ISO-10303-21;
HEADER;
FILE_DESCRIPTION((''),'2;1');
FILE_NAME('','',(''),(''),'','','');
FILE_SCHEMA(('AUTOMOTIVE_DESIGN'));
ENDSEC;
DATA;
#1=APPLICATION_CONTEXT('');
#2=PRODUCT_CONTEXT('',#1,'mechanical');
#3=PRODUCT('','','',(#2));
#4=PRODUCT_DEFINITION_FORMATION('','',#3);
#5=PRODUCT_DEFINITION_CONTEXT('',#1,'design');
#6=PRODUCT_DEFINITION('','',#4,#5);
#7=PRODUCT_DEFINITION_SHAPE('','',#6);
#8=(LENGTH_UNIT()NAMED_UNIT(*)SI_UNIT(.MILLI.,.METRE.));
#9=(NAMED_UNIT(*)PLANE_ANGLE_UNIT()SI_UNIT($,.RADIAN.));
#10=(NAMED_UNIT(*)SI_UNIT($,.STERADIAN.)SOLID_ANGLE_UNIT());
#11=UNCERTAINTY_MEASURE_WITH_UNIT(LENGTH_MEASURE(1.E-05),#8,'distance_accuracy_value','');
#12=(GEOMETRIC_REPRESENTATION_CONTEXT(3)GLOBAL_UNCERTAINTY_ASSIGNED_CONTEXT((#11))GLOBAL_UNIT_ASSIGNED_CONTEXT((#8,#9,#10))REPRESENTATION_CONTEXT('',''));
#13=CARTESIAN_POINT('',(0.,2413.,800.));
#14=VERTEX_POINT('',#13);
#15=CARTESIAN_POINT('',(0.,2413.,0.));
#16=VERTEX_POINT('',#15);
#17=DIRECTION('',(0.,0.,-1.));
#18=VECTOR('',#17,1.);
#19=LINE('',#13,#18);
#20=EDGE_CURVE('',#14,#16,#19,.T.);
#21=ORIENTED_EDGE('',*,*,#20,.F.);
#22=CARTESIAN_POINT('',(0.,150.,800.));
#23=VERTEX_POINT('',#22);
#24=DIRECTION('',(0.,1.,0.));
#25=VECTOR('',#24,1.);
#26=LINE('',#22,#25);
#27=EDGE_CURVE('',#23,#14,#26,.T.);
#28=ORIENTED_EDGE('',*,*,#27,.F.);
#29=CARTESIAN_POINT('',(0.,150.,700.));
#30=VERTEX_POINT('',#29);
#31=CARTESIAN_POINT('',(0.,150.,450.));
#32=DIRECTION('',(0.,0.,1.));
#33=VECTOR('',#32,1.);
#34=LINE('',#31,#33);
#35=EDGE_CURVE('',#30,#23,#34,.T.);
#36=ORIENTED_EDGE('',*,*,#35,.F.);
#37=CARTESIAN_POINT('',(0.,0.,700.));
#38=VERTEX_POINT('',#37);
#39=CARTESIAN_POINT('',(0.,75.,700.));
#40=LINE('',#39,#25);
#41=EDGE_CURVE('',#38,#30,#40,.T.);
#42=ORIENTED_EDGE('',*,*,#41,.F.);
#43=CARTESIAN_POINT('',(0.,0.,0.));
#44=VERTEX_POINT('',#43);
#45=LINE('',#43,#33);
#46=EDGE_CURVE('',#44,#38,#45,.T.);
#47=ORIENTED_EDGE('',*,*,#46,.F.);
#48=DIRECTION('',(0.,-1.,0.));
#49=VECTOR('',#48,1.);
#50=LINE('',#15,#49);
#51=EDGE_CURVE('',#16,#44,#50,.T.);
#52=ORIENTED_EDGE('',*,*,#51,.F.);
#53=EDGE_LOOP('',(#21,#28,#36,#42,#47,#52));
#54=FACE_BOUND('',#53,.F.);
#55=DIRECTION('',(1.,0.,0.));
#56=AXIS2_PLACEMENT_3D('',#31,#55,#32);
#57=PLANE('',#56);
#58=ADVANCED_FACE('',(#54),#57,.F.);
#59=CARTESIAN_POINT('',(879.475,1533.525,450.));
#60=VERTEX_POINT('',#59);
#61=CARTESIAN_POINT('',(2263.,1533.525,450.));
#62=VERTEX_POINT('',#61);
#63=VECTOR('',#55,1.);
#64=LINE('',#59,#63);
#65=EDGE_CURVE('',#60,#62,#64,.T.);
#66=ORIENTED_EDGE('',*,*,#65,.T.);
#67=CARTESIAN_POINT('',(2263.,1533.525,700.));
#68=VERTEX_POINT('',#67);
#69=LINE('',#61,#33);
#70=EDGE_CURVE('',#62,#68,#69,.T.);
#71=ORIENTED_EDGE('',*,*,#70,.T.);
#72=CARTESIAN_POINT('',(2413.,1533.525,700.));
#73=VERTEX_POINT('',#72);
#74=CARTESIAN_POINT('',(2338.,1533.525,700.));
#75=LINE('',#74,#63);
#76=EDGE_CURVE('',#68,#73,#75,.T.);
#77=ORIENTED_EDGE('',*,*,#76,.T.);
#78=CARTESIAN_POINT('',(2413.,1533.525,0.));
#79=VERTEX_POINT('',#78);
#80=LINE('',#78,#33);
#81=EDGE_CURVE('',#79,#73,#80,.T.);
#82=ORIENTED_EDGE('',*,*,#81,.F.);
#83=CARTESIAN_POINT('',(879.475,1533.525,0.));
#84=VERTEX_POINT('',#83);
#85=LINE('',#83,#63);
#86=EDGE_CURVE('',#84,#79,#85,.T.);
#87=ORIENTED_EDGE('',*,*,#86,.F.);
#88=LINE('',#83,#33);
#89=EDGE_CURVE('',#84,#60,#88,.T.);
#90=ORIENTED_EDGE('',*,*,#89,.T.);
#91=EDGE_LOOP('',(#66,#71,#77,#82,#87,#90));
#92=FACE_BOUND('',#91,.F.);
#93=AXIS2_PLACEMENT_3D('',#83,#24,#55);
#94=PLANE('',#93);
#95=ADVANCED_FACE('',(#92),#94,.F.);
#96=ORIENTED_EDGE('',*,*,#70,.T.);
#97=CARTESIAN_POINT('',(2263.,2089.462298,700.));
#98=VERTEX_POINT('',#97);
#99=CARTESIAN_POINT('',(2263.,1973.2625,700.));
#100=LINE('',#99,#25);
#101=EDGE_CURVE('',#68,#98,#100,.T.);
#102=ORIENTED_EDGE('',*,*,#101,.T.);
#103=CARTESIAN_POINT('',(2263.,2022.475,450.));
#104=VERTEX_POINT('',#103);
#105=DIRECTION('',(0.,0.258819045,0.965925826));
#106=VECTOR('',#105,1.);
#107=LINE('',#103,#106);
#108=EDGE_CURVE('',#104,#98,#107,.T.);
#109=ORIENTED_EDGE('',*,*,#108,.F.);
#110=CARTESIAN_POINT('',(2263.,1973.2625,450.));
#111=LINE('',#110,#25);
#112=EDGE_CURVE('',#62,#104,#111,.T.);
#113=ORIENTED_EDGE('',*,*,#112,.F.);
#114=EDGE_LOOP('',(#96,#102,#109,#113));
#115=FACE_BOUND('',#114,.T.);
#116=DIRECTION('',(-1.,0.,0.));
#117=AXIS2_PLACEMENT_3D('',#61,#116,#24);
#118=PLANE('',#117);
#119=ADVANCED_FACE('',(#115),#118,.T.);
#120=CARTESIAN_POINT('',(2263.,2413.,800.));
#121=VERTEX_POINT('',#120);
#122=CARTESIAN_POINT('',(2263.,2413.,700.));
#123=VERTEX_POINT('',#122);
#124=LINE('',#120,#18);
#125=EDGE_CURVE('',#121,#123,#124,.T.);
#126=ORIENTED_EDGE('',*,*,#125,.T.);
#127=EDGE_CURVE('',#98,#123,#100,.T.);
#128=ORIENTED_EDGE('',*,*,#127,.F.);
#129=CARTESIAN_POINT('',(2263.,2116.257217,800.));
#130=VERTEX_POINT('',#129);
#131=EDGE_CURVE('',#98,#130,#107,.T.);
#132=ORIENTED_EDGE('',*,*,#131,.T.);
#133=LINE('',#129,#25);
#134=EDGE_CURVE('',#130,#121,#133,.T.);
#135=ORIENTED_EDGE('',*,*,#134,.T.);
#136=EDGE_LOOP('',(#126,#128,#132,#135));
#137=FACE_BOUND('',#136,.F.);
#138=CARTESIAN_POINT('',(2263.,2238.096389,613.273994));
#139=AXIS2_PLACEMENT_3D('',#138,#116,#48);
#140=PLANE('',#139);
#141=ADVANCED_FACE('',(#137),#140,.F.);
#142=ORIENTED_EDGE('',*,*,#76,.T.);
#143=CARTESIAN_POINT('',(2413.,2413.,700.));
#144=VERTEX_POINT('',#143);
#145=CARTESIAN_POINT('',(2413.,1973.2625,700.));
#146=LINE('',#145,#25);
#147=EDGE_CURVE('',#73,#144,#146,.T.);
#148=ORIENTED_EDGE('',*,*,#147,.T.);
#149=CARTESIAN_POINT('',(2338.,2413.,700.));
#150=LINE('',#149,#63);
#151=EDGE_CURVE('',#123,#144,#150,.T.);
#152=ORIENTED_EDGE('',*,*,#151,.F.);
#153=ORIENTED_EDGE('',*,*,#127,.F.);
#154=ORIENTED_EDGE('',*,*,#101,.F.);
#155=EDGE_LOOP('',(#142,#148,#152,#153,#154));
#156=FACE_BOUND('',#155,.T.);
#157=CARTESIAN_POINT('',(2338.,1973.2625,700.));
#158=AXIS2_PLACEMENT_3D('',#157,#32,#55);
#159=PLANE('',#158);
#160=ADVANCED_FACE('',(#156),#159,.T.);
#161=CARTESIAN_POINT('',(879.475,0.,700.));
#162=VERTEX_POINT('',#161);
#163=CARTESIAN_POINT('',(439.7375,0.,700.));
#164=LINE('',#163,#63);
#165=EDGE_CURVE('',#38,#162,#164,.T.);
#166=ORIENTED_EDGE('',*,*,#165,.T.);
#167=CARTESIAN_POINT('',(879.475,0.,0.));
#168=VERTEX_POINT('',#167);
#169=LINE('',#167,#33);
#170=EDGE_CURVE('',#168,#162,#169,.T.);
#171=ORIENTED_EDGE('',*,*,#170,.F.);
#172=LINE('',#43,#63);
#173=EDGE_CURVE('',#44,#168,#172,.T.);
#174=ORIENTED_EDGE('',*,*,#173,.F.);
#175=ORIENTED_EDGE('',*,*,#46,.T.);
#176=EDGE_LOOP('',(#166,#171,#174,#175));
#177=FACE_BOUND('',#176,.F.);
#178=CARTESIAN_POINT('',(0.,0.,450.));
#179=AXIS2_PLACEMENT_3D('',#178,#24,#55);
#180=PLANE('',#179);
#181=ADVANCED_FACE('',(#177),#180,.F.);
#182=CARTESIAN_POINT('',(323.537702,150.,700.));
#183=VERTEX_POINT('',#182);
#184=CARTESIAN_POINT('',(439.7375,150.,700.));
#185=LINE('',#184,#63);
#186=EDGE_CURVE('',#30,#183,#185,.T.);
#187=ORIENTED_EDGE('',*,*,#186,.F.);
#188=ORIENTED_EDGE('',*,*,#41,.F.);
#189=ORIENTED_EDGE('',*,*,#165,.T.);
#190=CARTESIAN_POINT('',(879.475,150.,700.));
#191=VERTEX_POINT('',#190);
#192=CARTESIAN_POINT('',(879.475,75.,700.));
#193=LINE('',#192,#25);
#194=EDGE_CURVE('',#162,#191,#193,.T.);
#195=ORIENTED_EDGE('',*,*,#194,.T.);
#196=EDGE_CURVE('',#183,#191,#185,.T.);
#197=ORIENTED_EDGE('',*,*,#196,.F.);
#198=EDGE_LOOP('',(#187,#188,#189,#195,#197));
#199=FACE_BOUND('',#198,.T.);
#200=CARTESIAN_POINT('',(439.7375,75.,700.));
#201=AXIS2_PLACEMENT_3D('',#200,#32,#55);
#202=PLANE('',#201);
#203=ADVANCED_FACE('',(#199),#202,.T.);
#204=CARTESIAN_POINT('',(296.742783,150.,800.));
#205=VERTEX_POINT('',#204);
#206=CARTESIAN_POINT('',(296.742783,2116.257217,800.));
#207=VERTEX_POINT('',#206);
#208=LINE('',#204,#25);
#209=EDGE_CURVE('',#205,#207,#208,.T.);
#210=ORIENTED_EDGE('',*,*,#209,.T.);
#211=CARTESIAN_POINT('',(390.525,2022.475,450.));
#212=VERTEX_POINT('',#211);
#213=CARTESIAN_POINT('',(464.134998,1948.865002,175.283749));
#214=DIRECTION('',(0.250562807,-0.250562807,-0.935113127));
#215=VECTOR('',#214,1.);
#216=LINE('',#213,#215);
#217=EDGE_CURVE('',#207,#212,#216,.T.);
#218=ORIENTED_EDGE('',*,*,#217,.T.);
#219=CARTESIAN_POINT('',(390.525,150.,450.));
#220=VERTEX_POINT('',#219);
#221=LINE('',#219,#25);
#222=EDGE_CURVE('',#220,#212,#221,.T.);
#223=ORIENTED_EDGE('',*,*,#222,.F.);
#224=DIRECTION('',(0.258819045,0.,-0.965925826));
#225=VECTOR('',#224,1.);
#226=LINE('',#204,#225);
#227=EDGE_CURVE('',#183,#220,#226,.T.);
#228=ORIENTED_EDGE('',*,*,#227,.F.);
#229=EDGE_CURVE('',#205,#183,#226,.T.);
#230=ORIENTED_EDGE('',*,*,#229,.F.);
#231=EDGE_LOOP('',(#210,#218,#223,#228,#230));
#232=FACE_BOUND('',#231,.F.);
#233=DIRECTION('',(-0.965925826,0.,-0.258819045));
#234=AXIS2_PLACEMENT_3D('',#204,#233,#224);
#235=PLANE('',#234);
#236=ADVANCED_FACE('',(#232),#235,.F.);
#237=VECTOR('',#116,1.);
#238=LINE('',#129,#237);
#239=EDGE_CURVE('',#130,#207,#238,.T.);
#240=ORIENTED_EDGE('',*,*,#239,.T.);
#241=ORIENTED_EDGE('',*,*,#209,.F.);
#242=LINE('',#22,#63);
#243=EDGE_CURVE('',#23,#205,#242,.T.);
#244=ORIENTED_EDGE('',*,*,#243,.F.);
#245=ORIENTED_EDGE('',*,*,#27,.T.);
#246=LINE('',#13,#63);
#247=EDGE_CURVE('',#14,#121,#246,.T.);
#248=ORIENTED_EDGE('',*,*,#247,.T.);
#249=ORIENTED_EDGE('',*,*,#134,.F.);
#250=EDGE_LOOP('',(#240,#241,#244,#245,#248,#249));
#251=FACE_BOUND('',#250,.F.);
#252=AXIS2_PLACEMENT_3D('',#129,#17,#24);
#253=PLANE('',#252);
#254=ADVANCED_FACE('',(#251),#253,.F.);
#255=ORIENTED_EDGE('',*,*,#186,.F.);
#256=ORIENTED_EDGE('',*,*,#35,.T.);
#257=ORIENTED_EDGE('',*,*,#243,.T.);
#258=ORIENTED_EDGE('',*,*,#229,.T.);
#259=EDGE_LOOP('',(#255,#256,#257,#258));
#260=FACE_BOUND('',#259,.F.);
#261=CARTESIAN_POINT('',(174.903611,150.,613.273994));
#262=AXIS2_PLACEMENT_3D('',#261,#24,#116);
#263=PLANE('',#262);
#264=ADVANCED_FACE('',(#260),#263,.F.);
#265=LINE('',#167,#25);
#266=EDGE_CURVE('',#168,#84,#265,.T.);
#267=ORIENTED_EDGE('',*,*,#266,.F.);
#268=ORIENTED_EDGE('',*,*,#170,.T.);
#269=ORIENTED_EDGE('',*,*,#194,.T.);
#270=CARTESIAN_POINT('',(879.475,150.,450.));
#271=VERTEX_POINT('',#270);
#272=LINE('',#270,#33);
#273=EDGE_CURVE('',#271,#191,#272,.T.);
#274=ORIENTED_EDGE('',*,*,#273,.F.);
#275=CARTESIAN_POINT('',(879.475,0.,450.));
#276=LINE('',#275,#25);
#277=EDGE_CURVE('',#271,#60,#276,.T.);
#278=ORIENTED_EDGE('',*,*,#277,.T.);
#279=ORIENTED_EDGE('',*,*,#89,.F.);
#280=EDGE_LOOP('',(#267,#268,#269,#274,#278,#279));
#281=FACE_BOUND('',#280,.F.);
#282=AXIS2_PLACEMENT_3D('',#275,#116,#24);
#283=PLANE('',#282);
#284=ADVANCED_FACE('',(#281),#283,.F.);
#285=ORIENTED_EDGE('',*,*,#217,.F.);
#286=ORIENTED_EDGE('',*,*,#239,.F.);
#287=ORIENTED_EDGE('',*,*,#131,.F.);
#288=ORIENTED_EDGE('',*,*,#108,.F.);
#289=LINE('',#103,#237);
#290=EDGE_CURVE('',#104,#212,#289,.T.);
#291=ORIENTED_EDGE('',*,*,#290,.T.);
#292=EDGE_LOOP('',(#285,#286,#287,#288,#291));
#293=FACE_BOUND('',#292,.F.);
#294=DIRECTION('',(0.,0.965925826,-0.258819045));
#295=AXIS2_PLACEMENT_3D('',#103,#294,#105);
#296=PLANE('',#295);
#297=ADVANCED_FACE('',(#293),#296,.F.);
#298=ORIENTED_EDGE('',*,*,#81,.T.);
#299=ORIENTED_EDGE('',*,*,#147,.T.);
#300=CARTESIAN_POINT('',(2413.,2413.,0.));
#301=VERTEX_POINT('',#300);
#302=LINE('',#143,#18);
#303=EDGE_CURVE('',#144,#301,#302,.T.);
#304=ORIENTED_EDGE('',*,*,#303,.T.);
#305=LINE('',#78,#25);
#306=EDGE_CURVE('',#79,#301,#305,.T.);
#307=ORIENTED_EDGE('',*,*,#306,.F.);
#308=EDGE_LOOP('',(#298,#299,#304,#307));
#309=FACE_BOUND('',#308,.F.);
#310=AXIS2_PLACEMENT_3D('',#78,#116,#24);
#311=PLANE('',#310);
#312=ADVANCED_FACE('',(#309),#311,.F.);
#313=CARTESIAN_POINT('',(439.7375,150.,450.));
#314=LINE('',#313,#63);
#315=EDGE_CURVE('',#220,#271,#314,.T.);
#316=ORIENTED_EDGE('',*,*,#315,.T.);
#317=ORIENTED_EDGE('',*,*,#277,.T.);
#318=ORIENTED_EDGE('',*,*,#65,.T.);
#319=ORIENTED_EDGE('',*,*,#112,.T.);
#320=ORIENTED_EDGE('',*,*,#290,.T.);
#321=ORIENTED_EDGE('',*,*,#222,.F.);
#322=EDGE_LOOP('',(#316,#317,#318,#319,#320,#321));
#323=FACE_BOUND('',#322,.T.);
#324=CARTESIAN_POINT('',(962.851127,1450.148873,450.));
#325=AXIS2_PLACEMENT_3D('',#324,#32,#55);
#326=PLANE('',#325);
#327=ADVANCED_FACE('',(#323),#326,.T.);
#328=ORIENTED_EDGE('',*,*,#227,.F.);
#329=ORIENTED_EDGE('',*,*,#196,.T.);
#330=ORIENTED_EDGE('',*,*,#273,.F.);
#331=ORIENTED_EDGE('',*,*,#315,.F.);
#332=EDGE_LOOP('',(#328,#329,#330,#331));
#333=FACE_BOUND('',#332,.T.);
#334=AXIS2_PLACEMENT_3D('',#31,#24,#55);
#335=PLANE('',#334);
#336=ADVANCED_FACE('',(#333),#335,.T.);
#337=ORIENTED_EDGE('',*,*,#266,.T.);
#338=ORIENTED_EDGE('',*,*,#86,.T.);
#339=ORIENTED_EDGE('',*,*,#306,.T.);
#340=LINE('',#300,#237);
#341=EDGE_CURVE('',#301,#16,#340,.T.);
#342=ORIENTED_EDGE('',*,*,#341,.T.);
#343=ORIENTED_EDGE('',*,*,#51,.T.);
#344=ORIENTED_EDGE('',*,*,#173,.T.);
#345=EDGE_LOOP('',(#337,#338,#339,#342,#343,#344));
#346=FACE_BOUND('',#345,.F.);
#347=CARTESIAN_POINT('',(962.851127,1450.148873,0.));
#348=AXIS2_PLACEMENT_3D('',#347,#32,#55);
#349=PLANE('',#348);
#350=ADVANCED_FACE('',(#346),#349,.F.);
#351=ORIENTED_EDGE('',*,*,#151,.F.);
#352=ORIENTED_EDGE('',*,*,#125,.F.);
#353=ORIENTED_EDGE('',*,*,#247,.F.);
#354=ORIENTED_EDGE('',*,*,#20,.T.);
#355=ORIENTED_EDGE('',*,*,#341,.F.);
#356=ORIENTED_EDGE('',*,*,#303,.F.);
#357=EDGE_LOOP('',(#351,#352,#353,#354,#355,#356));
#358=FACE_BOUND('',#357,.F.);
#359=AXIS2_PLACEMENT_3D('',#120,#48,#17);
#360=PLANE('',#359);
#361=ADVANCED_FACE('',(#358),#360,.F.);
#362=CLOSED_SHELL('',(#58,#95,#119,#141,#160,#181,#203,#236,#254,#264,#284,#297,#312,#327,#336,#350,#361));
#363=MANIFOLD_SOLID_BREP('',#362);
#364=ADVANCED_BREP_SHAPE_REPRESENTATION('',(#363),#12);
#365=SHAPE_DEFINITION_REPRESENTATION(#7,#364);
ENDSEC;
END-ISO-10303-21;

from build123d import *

# Parameters (mm, degrees)
F1_DEPTH = 450
F2_W     = 879.475
F2_H     = 150
F2_W_2   = 150
F2_H_2   = 879.475
F3_DEPTH = 250
F5_DEPTH = 2263


with BuildPart() as f1:
    # F0 (on Top) → F1 (new body)
    with BuildSketch(Plane.XY):
        Polygon((0, 2413), (0, 0), (879.475, 0), (879.475, 1533.525), (2413, 1533.525), (2413, 2413), align=None)
    extrude(amount=F1_DEPTH)

    # F2 (on face) → F3 (join)
    with BuildSketch(Plane.XY.offset(450)):
        with Locations((439.7375, 75)):
            Rectangle(F2_W, F2_H)
        with Locations((2338, 1973.2625)):
            Rectangle(F2_W_2, F2_H_2)
    extrude(amount=F3_DEPTH)

    # F4 (on face) → F5 (join, through all)
    with BuildSketch(Plane(origin=(0, 150, 0), x_dir=(-1, 0, 0), z_dir=(0, 1, 0))):
        Polygon((-390.525, 450), (0, 450), (0, 800), (-296.7427826491, 800), align=None)
    extrude(amount=F5_DEPTH)

    # F6 (on face) → F7 (join, up to the next surface of F1)
    with BuildSketch(Plane(origin=(2263, 0, 0), x_dir=(0, -1, 0), z_dir=(-1, 0, 0))):
        Polygon((-2413, 800), (-2413, 450), (-2022.475, 450), (-2116.2572173509, 800), align=None)
    extrude(until=Until.NEXT)


solid = f1.part
